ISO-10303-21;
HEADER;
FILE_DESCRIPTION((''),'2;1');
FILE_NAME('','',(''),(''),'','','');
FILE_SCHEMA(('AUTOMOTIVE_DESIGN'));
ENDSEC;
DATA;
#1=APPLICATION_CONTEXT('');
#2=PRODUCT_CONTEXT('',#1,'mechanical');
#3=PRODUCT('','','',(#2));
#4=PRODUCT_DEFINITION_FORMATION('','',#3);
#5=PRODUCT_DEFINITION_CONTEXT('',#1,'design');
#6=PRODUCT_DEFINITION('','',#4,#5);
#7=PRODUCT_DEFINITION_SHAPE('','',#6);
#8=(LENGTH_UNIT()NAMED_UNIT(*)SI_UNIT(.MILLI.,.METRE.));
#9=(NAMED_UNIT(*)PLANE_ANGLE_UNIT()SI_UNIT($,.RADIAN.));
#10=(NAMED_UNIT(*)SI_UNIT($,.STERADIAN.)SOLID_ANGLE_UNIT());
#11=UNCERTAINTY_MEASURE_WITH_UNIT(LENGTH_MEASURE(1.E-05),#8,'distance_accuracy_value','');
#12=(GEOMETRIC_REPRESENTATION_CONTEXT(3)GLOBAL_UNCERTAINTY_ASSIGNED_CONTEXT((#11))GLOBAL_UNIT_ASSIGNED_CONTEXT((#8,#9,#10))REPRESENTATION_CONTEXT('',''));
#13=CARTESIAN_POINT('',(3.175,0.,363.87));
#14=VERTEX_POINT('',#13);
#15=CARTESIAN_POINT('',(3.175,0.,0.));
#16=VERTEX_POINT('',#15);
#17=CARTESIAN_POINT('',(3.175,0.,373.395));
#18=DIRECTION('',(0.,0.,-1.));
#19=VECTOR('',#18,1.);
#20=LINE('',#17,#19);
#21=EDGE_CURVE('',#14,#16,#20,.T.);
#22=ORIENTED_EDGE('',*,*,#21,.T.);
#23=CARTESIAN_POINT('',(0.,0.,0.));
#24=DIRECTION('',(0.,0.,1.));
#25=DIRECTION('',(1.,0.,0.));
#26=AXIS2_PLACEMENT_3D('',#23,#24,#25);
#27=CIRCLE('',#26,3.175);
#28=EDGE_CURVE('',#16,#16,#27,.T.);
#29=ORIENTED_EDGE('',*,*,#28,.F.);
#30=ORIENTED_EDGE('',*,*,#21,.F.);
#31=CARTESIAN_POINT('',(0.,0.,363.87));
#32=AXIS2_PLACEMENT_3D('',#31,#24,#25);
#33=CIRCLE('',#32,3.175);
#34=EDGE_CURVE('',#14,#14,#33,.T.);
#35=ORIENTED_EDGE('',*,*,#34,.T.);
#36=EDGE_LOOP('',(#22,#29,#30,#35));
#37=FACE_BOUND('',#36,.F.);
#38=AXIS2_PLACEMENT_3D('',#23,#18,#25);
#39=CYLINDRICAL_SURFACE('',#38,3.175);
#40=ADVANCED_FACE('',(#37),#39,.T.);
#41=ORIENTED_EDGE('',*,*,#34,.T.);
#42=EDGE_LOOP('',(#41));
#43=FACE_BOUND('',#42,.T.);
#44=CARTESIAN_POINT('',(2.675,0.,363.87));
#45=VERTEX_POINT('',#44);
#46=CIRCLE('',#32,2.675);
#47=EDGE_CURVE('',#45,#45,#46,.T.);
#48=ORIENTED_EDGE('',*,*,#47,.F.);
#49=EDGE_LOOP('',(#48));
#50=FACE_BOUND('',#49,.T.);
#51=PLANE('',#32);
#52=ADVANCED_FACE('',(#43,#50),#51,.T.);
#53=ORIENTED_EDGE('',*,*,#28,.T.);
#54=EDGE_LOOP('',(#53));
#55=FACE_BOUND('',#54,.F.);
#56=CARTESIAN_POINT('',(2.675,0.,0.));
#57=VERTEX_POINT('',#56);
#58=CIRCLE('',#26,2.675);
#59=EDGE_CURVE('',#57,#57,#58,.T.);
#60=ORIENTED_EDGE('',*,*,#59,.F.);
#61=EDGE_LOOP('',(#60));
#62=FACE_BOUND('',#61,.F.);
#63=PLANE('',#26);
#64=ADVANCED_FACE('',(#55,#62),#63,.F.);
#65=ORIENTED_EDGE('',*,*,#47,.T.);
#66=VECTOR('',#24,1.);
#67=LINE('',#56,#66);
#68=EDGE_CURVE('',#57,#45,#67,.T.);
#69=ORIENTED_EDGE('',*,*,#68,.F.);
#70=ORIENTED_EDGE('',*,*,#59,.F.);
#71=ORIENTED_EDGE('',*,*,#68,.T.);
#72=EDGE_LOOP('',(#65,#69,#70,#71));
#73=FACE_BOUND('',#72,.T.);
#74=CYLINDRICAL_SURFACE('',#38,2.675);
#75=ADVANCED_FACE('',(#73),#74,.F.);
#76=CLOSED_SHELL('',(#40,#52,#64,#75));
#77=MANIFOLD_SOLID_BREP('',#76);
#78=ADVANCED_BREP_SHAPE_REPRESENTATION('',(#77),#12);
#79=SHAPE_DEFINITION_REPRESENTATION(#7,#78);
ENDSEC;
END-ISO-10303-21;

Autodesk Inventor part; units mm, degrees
ref_plane "YZ Plane" through (0, 0, 0) normal (1, 0, 0) x (0, 1, 0)
ref_plane "XZ Plane" through (0, 0, 0) normal (0, 1, 0) x (-1, 0, 0)
ref_plane "XY Plane" through (0, 0, 0) normal (0, 0, 1) x (1, 0, 0)
sketch "Sketch1" plane through (0, 0, 0) normal (0, 0, 1) x (1, 0, 0)
  circle A0 centre (0, 0) radius 3.175
  circle A1 centre (0, 0) radius 2.675
  dimension "d0" = 6.35
  dimension "d1" = 5.35
extrude "Extrusion1" add sketch "Sketch1" along normal blind 342.525
sketch "Sketch2" plane through (0, 0, 342.525) normal (0, 0, 1) x (1, 0, 0)
  circle A0 centre (0, 0) radius 2.675 projected
  circle A1 centre (0, 0) radius 3.175 projected
extrude "Extrusion2" add sketch "Sketch2" along normal blind 30.87
sketch "Sketch3" plane through (0, 0, 373.395) normal (0, 0, 1) x (1, 0, 0)
  circle A0 centre (0, 0) radius 2.675 projected
  circle A1 centre (0, 0) radius 3.175 projected
extrude "Extrusion3" cut sketch "Sketch3" against normal blind 9.525
properties part number "coverplate pipe"
